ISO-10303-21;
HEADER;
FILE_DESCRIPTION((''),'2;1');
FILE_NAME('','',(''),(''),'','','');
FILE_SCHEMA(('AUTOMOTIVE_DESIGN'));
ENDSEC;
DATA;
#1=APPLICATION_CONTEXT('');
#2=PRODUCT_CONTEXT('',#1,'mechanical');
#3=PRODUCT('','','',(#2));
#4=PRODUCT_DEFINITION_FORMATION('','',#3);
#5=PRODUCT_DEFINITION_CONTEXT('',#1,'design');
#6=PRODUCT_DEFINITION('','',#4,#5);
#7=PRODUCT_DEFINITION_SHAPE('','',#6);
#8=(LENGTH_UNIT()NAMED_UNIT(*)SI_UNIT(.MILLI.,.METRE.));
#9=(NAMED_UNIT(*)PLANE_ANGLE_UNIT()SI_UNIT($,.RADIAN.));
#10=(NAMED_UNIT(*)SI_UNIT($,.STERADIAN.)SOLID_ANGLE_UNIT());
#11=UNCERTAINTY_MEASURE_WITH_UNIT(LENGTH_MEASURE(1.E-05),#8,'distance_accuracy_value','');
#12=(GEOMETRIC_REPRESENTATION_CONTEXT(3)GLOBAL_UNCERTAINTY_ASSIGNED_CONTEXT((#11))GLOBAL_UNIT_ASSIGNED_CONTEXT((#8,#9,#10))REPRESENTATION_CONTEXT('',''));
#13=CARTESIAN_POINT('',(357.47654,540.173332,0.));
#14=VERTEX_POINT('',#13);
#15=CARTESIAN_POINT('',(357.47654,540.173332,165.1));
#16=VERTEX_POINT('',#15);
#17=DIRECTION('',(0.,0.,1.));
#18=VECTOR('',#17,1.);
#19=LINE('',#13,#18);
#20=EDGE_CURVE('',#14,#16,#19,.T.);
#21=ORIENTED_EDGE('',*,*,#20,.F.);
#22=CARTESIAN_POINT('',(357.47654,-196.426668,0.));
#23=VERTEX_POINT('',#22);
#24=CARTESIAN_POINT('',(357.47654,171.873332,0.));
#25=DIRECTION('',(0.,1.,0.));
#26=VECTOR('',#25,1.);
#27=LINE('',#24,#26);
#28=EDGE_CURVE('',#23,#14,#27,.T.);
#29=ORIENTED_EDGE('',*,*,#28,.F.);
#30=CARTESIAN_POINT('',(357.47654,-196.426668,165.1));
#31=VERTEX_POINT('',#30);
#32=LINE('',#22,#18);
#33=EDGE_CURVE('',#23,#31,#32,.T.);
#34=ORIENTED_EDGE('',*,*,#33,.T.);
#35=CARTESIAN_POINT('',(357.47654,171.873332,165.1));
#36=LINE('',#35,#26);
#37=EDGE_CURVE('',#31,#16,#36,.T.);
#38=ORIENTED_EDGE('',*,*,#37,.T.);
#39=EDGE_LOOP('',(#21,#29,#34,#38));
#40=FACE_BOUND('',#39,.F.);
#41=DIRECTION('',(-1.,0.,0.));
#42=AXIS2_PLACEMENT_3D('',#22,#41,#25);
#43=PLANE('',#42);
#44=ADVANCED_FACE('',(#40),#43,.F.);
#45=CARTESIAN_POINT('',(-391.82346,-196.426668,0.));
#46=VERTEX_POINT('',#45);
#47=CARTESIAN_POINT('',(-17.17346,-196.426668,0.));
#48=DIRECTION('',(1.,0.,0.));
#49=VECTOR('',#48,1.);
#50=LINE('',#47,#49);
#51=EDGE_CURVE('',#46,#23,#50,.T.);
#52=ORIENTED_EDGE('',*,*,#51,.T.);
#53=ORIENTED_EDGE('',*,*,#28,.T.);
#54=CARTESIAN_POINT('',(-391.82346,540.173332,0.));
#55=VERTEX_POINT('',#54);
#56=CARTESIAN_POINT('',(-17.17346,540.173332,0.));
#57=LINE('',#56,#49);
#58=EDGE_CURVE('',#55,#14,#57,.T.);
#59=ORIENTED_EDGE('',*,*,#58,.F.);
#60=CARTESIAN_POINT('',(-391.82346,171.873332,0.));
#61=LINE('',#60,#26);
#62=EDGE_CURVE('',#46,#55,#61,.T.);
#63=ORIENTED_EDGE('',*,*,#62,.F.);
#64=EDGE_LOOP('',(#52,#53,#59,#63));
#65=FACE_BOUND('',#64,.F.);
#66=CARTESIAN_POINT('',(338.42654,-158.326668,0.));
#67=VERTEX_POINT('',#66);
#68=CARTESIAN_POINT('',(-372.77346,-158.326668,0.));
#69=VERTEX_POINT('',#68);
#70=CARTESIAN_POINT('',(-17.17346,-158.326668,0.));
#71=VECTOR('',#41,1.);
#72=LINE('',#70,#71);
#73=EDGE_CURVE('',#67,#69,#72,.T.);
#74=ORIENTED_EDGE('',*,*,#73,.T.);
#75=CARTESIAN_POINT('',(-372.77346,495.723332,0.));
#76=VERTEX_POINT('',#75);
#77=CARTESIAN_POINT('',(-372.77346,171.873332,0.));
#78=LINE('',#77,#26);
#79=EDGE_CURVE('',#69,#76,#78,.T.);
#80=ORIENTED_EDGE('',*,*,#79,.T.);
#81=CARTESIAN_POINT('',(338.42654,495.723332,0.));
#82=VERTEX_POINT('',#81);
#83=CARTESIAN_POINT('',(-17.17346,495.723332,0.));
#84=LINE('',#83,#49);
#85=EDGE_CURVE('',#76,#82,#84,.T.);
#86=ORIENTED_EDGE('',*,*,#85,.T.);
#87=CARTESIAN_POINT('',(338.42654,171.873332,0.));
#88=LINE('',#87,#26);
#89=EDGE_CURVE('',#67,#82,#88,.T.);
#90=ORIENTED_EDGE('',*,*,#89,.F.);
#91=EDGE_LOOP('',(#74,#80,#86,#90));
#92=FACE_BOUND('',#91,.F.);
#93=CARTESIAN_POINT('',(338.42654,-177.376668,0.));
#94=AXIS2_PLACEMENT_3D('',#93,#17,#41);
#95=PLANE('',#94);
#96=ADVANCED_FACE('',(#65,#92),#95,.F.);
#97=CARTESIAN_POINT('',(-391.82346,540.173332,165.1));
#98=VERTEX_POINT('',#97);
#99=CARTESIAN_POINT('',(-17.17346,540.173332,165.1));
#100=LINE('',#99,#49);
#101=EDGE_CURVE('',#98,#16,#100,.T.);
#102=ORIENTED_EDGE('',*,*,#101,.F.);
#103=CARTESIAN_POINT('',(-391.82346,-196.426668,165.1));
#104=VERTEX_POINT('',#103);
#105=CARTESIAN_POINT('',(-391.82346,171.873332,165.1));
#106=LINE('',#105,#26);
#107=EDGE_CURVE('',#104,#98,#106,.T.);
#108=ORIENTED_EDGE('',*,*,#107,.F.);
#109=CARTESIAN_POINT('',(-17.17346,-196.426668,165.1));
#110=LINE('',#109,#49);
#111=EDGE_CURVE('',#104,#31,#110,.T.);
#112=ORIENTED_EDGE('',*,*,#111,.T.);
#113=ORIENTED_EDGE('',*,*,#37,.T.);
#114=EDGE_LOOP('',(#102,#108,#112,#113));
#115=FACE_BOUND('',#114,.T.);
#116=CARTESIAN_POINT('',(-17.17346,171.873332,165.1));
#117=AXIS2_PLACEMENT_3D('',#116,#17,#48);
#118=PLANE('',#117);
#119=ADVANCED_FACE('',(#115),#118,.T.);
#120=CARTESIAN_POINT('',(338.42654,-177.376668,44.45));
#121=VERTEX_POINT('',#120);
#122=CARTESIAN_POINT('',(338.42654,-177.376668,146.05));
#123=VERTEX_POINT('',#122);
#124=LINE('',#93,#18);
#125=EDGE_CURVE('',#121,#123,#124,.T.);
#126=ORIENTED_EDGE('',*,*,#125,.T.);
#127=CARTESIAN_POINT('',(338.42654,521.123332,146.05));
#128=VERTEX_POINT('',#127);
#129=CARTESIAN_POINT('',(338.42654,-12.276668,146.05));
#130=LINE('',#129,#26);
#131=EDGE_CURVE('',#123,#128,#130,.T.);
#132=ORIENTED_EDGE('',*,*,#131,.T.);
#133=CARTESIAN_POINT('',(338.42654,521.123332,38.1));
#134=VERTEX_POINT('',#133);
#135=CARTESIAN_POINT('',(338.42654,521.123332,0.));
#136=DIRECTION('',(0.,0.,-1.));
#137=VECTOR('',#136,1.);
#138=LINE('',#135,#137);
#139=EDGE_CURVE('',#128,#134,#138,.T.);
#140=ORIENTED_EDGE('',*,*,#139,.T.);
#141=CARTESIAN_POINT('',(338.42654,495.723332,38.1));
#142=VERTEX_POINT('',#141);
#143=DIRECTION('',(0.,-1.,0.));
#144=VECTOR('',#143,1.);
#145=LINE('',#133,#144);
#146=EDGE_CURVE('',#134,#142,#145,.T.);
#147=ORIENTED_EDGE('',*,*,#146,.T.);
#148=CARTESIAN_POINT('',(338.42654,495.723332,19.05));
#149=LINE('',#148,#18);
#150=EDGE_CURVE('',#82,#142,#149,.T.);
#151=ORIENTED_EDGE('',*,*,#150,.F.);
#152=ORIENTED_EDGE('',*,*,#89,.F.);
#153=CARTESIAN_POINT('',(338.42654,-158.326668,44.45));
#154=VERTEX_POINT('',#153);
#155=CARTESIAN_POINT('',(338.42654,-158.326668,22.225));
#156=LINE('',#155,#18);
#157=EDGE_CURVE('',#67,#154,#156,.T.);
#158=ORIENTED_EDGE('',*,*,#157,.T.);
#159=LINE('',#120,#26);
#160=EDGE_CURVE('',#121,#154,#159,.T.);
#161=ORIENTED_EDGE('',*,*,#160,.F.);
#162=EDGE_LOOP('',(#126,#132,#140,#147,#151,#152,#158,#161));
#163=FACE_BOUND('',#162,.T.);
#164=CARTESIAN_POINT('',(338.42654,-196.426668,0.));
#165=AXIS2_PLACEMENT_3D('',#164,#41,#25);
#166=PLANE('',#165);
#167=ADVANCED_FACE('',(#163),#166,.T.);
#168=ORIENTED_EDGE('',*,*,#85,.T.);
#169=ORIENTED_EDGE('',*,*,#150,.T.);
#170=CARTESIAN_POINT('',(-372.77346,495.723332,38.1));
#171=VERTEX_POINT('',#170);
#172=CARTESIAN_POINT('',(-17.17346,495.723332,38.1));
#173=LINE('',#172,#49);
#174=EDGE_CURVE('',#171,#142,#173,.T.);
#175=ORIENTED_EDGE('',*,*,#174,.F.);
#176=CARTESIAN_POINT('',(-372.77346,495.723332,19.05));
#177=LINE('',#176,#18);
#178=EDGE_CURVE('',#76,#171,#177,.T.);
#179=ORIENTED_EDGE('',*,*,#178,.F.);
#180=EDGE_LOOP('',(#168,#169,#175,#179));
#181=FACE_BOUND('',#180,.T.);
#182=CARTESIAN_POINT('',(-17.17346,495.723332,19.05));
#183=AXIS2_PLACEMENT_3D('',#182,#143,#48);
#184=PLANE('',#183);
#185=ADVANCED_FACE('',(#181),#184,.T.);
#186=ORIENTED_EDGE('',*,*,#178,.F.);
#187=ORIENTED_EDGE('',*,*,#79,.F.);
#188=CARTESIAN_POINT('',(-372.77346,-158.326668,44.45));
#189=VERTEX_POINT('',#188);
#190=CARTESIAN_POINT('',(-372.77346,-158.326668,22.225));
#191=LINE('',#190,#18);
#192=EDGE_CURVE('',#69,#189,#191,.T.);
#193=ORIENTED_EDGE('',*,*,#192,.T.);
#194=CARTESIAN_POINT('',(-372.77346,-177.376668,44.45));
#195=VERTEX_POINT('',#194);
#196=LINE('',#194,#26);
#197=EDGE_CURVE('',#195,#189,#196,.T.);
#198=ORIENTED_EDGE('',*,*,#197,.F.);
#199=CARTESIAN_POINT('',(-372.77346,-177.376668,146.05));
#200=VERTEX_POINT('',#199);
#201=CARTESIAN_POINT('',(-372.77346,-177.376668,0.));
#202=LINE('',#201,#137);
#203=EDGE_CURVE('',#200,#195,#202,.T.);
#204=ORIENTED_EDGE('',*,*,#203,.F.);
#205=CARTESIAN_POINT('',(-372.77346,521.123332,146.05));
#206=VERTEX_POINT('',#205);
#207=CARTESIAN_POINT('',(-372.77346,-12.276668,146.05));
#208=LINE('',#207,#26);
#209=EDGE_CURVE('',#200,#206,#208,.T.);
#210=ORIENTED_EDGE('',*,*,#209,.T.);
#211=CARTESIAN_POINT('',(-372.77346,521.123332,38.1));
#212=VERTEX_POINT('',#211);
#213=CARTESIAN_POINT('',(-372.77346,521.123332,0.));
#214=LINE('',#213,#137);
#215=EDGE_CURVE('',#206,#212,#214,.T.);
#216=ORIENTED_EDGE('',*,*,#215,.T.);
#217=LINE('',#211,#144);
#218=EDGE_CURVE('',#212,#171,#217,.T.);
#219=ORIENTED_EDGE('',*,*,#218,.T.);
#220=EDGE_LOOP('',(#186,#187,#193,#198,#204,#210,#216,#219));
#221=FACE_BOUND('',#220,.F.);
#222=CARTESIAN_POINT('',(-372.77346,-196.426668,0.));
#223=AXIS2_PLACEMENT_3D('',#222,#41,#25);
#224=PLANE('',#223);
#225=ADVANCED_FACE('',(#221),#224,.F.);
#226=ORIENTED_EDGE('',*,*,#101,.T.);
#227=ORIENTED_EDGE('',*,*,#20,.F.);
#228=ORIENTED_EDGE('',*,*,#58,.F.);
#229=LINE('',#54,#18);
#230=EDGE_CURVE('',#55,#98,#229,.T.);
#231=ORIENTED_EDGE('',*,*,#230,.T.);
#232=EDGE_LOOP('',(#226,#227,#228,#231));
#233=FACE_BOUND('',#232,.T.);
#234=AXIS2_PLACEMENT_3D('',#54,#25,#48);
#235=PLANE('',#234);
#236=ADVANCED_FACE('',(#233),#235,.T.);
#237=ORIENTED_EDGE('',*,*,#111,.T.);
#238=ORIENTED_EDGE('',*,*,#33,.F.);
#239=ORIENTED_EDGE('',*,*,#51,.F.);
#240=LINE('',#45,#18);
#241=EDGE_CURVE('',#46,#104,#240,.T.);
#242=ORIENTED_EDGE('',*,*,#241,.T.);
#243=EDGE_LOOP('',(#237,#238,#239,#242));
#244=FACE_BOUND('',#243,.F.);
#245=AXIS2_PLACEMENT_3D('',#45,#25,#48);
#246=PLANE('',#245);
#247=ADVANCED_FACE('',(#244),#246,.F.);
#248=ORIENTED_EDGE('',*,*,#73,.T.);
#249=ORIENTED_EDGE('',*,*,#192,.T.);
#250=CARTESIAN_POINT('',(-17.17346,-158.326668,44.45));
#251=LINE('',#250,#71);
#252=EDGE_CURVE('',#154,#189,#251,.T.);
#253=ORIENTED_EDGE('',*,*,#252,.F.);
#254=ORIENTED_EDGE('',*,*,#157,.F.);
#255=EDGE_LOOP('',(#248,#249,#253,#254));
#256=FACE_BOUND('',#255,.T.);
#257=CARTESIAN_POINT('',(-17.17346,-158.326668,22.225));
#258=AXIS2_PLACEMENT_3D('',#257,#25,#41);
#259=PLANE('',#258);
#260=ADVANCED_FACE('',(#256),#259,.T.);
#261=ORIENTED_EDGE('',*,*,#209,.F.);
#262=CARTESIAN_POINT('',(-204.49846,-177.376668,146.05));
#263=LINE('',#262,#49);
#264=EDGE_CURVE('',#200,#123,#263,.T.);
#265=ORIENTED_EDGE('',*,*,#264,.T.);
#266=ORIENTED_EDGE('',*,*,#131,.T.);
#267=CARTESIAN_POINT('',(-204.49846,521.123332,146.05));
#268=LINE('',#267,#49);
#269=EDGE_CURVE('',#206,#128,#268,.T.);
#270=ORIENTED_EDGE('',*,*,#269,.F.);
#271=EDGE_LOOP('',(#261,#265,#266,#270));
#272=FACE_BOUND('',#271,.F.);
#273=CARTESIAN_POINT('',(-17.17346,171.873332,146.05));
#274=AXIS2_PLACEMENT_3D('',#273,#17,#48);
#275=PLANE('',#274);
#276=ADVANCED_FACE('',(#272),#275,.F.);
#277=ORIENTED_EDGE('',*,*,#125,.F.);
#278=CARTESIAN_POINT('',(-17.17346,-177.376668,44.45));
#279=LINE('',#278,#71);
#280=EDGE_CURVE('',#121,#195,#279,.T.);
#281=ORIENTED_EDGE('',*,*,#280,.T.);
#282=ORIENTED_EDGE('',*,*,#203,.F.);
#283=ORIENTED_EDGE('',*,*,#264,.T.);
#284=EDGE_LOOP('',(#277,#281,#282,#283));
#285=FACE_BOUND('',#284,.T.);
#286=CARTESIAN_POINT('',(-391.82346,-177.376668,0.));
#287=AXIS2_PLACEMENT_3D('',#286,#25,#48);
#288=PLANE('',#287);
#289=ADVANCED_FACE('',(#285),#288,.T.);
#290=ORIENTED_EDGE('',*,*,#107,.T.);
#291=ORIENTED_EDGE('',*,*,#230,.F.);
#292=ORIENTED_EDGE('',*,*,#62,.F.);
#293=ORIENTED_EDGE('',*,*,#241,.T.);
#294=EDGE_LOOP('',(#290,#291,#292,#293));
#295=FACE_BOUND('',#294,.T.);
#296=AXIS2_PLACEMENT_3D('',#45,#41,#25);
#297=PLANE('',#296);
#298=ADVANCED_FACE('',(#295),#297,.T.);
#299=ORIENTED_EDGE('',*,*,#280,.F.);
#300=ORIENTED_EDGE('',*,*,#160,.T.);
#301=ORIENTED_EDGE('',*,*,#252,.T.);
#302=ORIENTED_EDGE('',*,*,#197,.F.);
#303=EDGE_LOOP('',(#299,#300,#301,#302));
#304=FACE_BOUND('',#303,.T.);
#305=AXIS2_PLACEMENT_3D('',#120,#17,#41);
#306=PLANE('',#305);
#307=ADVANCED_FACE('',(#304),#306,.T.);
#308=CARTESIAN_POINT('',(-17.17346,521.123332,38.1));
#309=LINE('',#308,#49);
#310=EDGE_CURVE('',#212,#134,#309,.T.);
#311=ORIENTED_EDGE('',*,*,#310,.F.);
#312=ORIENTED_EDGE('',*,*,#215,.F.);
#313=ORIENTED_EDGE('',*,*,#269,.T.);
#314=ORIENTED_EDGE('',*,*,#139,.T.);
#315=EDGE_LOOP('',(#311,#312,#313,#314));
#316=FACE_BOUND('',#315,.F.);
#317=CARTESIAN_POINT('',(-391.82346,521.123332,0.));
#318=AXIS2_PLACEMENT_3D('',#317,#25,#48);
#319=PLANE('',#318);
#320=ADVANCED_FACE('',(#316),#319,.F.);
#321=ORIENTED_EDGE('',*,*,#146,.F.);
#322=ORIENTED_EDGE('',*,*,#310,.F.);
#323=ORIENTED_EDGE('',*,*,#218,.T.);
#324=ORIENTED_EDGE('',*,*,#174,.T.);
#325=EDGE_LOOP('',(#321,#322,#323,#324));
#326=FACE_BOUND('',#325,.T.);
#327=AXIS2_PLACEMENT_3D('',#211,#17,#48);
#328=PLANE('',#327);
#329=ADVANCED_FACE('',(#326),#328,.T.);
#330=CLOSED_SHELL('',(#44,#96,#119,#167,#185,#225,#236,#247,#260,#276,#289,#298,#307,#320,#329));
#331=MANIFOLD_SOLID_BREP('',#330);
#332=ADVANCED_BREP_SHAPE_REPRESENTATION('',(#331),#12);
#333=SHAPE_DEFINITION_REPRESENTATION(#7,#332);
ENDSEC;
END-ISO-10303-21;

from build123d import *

# Parameters (mm, degrees)
F0_W     = 749.3
F0_H     = 736.6
F1_DEPTH = 165.1
F2_T     = -19.05
F3_W     = 711.2
F3_H     = 38.1
F4_DEPTH = 25.4
F5_W     = 711.2
F5_H     = 44.45
F6_DEPTH = 19.05


with BuildPart() as f1:
    # F0 (on Top) → F1 (new body)
    with BuildSketch(Plane.XY):
        with Locations((-17.17346, 171.873332)):
            Rectangle(F0_W, F0_H)
    extrude(amount=F1_DEPTH)

    # F2
    f2_openings = [f1.faces().sort_by_distance(p)[0] for p in [
        (-17.17346, 171.873332, 0),
    ]]
    offset(amount=F2_T, openings=f2_openings)

    # F3 (on face) → F4 (join)
    with BuildSketch(Plane.XZ.offset(-521.123332)):
        with Locations((-17.17346, 19.05)):
            Rectangle(F3_W, F3_H)
    extrude(amount=F4_DEPTH)

    # F5 (on face) → F6 (join)
    with BuildSketch(Plane(origin=(0, -177.376668, 0), x_dir=(-1, 0, 0), z_dir=(0, 1, 0))):
        with Locations((17.17346, 22.225)):
            Rectangle(F5_W, F5_H)
    extrude(amount=F6_DEPTH)


solid = f1.part
